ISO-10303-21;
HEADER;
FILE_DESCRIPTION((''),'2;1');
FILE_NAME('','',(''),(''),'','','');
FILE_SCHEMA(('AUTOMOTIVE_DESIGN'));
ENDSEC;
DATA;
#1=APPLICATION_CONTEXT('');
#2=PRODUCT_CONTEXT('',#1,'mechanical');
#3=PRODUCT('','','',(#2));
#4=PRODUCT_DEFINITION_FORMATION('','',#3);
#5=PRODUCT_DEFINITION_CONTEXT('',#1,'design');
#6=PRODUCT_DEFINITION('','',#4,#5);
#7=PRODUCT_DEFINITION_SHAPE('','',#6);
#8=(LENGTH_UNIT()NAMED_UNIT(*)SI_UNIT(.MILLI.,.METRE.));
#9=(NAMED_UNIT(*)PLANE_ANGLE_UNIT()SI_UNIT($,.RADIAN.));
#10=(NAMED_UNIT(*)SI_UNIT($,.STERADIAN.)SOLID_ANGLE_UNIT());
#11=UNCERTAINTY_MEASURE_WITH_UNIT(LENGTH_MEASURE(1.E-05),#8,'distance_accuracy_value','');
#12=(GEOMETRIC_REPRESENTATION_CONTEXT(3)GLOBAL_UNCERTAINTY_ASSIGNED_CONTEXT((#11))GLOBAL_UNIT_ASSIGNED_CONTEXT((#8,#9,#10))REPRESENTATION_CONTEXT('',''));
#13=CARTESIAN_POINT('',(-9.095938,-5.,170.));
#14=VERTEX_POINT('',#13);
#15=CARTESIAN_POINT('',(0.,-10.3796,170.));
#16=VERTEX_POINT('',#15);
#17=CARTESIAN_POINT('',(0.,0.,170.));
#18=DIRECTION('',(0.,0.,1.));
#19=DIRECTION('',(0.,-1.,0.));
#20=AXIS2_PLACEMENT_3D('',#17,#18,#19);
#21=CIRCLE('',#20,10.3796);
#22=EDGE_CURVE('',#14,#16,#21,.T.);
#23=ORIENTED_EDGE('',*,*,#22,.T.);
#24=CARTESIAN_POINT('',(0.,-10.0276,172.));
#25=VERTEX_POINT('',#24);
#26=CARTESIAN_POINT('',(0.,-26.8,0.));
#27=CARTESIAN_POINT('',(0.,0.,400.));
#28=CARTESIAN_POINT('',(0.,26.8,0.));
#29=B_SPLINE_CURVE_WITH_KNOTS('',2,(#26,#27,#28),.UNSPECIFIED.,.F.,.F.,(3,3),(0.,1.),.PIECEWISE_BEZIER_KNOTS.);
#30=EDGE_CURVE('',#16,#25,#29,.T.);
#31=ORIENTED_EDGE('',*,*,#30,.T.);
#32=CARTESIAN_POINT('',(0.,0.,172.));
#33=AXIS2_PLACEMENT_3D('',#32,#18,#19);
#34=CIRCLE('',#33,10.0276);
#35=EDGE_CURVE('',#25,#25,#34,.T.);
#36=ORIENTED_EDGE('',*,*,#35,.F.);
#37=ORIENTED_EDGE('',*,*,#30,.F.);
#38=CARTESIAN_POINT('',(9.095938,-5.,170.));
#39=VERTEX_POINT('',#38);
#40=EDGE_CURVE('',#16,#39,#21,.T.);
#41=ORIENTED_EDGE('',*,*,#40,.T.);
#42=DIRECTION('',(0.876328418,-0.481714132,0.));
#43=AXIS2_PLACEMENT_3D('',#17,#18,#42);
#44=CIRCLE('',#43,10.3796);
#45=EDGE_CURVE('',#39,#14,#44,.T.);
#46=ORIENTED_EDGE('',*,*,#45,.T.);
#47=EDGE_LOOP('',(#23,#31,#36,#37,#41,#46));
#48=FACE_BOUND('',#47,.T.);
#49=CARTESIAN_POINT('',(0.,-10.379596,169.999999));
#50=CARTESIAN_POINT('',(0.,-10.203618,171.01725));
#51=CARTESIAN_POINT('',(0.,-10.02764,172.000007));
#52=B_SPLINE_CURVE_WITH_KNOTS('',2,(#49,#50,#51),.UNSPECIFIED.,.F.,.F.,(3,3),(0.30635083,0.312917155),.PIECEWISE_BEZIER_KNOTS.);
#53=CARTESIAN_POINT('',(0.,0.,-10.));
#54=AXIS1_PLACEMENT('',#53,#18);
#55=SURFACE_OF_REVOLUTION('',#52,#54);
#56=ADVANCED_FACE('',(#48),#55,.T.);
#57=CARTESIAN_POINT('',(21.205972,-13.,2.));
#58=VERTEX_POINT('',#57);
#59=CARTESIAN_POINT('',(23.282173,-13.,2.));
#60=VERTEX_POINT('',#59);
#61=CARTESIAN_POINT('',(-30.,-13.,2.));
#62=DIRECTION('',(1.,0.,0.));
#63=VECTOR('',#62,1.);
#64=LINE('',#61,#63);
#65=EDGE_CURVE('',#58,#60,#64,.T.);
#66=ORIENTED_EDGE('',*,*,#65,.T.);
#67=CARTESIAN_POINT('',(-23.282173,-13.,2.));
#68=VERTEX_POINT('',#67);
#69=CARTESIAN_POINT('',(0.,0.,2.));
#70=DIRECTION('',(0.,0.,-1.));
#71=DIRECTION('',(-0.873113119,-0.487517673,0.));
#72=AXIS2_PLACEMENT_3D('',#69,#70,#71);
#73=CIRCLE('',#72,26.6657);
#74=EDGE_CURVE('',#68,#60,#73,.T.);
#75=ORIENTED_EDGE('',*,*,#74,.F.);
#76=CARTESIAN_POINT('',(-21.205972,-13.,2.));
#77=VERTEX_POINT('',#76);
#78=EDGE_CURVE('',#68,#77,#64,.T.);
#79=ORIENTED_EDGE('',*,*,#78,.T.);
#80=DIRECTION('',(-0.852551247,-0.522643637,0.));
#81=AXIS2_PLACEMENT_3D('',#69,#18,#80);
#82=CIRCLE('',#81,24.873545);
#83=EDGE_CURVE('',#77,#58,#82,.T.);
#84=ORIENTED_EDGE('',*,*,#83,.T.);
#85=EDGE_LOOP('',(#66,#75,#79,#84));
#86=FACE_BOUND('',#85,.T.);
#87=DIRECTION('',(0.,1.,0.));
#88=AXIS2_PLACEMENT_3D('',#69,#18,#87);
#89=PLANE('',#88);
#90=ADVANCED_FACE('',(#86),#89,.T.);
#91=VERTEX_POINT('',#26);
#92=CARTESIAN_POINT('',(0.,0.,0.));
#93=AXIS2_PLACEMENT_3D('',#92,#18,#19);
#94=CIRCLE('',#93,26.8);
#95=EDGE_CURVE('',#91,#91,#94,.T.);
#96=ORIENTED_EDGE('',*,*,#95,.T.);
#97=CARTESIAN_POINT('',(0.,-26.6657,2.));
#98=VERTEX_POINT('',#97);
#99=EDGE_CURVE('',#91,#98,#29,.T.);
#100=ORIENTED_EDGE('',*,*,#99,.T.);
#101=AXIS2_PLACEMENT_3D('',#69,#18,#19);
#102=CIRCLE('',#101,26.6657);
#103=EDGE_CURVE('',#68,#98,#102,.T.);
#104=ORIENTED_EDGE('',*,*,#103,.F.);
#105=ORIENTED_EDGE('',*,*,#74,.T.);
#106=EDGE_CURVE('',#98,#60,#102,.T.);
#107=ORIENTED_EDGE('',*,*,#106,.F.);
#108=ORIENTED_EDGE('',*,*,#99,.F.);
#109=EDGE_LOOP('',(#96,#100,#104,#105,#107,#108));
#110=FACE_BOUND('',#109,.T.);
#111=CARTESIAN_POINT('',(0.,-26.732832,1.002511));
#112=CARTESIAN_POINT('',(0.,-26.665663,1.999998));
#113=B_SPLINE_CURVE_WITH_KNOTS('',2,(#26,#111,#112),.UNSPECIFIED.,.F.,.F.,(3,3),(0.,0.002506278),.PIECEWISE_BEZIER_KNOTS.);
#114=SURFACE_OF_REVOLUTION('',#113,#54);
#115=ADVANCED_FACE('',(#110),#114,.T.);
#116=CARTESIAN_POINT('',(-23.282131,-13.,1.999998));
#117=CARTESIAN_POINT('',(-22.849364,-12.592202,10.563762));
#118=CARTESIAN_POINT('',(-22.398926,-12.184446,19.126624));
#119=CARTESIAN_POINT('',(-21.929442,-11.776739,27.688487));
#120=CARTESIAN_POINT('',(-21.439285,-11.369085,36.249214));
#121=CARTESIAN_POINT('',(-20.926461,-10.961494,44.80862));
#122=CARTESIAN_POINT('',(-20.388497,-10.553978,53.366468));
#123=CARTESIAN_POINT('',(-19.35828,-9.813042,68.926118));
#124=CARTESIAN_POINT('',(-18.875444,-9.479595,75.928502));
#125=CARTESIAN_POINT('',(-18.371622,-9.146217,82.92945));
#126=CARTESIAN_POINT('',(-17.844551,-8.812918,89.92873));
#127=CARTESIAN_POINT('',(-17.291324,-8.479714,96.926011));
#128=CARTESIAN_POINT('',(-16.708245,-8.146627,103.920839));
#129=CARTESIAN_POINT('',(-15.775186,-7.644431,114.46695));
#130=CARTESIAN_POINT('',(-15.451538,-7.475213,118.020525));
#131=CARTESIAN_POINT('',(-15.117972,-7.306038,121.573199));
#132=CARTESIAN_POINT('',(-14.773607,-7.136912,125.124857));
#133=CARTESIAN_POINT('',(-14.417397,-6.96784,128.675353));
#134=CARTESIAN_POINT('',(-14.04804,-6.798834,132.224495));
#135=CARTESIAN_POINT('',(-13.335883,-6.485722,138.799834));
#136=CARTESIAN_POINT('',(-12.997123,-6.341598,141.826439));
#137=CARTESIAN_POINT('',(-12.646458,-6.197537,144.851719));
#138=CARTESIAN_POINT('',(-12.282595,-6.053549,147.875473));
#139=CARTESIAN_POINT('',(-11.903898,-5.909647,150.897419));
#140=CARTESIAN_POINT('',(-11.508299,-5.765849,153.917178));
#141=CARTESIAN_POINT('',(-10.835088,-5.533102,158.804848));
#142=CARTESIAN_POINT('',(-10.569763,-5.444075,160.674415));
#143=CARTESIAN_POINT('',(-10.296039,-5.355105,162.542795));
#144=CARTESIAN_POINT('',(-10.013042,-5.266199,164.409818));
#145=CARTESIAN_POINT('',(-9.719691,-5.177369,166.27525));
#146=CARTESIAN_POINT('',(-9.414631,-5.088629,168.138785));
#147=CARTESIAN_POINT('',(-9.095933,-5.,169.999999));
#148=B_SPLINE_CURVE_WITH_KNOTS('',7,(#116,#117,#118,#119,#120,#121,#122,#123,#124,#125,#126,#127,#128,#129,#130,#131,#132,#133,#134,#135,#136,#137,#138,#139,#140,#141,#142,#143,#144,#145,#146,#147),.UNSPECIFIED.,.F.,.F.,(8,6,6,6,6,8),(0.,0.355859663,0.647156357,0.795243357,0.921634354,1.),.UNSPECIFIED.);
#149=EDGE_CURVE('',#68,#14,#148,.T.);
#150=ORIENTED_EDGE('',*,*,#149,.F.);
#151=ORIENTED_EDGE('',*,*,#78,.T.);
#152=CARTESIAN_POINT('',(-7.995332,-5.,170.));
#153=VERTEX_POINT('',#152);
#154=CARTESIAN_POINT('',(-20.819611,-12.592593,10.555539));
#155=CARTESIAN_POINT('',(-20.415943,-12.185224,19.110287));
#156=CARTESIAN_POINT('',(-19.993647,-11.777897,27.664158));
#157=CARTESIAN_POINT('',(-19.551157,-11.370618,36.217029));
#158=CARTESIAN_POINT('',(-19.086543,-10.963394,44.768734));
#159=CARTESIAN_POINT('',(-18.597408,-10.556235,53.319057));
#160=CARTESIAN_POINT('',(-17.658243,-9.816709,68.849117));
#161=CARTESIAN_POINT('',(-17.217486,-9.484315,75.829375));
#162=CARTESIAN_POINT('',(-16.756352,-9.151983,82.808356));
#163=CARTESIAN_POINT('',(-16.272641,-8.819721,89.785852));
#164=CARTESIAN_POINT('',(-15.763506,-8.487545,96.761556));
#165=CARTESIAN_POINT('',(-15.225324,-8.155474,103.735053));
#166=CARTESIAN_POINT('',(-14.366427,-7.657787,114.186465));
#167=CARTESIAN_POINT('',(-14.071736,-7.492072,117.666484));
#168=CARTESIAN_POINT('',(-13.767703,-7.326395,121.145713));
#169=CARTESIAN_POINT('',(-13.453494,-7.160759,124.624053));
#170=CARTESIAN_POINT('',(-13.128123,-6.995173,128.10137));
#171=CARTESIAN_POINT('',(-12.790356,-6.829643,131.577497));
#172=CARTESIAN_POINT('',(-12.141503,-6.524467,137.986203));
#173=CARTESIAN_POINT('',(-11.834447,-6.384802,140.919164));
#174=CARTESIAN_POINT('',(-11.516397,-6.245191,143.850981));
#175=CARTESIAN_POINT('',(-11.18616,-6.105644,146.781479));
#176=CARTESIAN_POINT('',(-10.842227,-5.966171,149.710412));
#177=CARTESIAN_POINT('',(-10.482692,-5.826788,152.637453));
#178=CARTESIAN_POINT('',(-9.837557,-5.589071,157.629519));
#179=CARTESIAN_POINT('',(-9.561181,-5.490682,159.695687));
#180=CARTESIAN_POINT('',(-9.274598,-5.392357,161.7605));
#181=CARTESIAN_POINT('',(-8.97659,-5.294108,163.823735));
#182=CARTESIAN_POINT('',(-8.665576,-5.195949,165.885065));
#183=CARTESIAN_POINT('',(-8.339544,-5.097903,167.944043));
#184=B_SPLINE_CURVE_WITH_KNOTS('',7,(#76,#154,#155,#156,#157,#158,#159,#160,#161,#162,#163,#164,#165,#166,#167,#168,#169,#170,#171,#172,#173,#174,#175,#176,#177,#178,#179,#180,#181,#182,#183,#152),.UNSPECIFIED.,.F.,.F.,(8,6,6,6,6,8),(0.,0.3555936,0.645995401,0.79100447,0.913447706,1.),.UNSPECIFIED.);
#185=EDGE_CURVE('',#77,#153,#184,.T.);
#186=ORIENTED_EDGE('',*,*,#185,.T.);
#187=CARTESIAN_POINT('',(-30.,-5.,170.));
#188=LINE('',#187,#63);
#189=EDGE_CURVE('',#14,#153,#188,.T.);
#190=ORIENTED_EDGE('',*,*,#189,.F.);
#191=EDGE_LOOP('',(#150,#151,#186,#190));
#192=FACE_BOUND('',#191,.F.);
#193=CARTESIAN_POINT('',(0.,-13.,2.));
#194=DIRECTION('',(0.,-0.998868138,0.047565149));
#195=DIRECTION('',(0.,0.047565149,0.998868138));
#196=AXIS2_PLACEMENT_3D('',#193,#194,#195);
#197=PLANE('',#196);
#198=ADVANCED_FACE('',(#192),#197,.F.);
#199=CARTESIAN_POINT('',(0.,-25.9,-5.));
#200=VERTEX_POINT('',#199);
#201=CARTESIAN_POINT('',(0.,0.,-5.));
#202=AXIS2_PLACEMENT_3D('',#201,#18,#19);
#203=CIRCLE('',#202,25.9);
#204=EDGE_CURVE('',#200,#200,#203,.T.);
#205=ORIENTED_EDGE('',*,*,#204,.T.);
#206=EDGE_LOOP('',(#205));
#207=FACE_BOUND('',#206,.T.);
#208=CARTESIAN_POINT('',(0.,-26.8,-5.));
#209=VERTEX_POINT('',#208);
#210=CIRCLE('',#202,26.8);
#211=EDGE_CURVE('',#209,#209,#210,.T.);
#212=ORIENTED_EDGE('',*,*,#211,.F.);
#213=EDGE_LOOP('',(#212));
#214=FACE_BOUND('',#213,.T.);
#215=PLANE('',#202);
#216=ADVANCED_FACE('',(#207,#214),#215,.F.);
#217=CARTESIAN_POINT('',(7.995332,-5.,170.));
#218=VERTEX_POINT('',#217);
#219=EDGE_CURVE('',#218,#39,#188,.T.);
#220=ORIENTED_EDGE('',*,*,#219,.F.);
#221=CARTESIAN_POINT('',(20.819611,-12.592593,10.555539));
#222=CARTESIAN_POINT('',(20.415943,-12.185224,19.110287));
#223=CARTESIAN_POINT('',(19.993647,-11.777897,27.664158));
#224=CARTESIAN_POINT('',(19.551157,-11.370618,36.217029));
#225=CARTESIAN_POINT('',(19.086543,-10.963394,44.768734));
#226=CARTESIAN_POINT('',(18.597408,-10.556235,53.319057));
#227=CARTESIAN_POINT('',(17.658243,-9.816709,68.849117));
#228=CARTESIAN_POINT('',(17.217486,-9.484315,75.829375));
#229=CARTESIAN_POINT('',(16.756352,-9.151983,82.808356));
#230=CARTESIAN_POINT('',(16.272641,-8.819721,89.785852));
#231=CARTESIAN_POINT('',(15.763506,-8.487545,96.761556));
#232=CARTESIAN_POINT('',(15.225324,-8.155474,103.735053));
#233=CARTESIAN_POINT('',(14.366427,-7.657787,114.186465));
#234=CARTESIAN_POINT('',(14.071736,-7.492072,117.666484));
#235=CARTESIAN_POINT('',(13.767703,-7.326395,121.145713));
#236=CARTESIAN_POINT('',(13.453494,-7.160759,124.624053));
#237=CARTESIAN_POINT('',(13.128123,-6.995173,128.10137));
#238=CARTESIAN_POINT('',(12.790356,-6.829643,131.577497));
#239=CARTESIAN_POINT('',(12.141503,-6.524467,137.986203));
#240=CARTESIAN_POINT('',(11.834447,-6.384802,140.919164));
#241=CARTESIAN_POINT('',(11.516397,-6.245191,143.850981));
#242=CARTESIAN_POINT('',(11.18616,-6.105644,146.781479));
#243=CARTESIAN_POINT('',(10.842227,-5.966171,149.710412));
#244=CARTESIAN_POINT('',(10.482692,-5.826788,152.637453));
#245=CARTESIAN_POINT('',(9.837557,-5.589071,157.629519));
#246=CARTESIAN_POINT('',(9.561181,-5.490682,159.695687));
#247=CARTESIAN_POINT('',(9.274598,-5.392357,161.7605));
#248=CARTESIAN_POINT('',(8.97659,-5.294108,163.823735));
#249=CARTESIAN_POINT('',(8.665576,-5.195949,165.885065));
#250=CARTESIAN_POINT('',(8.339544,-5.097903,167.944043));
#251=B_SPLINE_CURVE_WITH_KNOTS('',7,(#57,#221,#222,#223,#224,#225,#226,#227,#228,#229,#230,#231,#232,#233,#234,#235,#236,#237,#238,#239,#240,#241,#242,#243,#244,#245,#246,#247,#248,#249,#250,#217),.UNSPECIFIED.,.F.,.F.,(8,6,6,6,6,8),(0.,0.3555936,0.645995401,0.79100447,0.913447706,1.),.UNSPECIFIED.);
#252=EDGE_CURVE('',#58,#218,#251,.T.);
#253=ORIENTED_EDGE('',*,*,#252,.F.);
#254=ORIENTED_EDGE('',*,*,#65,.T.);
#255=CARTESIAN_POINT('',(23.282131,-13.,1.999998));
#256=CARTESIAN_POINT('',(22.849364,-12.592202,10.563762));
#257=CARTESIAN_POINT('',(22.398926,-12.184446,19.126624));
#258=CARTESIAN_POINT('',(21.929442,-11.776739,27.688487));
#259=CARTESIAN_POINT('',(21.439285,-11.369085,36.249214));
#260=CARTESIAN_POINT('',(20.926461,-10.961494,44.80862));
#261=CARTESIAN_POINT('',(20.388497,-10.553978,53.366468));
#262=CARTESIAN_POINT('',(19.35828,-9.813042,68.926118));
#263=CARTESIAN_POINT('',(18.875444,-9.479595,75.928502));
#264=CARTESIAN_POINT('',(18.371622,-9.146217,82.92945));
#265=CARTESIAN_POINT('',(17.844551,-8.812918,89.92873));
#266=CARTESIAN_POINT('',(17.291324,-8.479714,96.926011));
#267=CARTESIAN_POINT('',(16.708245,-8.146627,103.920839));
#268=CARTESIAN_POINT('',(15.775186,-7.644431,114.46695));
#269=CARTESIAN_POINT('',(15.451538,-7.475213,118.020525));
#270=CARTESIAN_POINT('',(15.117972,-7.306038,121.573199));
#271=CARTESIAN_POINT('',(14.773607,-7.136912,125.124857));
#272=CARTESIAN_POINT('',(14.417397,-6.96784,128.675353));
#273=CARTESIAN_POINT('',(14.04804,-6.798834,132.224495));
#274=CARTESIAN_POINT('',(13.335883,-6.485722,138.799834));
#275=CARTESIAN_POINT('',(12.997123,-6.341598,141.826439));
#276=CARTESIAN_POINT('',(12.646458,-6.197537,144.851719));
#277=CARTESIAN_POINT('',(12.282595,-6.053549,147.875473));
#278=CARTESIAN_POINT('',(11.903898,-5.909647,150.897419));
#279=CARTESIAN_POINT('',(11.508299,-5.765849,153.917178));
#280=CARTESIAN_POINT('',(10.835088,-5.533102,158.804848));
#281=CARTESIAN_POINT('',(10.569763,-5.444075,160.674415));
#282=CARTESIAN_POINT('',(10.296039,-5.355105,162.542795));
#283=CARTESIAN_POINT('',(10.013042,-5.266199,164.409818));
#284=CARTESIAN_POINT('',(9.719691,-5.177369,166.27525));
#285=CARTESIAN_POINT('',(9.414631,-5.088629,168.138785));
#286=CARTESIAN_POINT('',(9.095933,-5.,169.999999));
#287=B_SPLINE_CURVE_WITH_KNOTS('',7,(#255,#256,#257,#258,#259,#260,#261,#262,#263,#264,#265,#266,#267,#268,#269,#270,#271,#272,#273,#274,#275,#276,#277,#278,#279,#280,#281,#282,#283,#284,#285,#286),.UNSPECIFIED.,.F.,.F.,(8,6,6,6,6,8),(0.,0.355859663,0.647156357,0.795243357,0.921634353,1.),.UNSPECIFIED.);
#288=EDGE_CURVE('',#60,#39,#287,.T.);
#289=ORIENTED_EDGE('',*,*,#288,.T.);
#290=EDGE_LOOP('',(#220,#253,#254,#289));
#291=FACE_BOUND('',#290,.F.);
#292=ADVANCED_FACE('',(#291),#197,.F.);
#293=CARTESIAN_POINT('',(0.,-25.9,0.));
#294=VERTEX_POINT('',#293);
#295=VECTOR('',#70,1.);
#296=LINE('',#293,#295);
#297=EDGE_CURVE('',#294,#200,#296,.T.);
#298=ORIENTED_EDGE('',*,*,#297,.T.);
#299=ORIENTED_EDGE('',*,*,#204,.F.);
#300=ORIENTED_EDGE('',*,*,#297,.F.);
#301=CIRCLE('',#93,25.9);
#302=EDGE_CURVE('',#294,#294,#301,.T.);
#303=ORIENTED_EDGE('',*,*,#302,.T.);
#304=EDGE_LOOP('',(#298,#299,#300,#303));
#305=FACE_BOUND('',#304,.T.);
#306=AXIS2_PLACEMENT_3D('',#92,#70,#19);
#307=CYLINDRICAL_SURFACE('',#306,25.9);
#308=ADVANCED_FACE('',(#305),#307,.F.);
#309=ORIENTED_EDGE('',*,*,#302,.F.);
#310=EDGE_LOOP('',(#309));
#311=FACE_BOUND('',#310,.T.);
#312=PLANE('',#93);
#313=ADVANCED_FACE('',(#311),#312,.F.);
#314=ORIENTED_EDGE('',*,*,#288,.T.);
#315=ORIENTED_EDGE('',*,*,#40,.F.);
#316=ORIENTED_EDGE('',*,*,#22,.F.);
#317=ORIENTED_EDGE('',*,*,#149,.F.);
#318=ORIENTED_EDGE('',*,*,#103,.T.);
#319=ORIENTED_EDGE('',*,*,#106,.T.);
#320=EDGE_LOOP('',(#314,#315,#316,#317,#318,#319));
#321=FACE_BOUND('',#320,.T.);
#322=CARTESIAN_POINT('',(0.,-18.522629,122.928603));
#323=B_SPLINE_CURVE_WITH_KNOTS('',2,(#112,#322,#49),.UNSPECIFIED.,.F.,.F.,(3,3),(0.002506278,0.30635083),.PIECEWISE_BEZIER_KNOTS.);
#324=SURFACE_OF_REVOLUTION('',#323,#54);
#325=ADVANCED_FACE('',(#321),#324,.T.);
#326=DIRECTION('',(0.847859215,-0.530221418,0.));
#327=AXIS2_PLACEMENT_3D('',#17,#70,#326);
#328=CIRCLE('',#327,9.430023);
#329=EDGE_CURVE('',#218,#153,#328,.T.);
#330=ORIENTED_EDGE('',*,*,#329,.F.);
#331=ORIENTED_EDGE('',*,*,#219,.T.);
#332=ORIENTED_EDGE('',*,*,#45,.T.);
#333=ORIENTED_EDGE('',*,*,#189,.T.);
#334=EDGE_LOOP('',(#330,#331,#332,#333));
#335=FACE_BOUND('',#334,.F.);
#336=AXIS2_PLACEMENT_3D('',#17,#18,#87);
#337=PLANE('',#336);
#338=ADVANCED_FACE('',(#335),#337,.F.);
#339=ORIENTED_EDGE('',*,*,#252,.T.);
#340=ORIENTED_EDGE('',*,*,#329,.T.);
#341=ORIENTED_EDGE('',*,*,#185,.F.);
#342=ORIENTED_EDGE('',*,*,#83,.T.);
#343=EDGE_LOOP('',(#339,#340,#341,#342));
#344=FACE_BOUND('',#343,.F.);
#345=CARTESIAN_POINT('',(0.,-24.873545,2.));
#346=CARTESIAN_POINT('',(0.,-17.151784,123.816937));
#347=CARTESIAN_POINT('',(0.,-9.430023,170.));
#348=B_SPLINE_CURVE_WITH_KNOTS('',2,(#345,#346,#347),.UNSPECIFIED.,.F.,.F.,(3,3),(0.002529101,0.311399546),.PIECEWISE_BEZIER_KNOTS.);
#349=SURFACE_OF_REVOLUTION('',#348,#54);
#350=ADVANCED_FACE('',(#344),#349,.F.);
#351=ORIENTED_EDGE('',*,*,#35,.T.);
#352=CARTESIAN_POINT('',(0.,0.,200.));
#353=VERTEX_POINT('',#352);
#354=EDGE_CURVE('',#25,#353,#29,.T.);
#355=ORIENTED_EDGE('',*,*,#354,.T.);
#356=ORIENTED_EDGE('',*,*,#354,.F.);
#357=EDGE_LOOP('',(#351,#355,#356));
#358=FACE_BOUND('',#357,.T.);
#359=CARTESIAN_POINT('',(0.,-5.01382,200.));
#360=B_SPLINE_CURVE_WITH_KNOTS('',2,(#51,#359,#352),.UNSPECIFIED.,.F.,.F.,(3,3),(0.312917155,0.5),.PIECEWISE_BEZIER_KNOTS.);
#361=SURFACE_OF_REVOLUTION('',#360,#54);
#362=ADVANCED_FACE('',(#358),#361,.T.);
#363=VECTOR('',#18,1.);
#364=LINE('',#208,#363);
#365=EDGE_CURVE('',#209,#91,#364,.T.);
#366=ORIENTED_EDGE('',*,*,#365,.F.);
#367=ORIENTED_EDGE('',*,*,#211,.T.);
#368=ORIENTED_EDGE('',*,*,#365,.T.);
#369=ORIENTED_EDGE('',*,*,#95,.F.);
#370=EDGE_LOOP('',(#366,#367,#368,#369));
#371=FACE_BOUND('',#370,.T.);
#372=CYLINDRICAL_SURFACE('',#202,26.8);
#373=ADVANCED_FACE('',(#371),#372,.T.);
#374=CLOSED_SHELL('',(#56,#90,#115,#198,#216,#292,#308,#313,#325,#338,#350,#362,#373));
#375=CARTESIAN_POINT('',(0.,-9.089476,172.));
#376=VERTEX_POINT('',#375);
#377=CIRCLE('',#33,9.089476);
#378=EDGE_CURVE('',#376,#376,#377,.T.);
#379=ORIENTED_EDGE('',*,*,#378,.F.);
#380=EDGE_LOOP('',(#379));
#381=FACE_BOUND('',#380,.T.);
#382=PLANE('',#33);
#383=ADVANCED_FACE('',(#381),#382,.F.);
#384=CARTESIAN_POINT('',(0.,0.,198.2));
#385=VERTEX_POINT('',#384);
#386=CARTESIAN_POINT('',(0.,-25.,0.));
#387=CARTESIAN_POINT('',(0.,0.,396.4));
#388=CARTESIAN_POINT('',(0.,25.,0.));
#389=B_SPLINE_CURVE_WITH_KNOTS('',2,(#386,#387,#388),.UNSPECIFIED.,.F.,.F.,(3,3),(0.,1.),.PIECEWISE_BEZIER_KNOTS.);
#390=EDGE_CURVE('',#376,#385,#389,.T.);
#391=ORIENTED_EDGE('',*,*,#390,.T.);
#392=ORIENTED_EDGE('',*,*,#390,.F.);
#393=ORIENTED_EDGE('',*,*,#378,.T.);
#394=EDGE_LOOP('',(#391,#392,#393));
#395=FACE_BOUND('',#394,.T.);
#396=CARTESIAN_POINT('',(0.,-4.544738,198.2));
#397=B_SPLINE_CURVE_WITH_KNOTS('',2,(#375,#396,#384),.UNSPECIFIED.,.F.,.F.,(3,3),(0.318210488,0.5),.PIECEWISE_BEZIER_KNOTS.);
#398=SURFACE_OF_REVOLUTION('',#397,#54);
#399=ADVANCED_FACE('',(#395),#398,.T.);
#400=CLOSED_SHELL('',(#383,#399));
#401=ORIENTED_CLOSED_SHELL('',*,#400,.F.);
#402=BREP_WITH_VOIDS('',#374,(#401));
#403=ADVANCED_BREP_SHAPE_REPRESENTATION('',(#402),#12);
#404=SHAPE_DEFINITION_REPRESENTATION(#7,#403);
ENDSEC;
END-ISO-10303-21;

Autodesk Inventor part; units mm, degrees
ref_plane "YZ Plane" through (0, 0, 0) normal (1, 0, 0) x (0, 1, 0)
ref_plane "XZ Plane" through (0, 0, 0) normal (0, 1, 0) x (-1, 0, 0)
ref_plane "XY Plane" through (0, 0, 0) normal (0, 0, 1) x (1, 0, 0)
sketch "Sketch2" plane through (0, 0, 0) normal (1, 0, 0) x (0, 1, 0)
  line L0 (0, 0) -> (25.9, 0)
  line L1 (25.9, 0) -> (25.9, -5)
  line L2 (25.9, -5) -> (26.8, -5)
  line L3 (26.8, -5) -> (26.8, 0)
  line L4 (0, 2) -> (25, 2)
  line L5 (0, 0) -> (-25.9, 0)
  line L6 (-25.9, 0) -> (-25.9, -5)
  line L7 (-25.9, -5) -> (-26.8, -5)
  line L8 (-26.8, -5) -> (-26.8, 0)
  line L9 (0, 2) -> (-25, 2)
  line L10 (0, 0) -> (0, 170)
  line L11 (0, 0) -> (0, 200)
  line L12 (25, 2) -> (25, 0)
  line L13 (-25, 2) -> (-25, 0)
  line L14 (0, 0) -> (0, 198.2)
  spline S0 degree 2 poles (26.8, 0) (0, 400) (-26.8, 0) knots 0 0 0 1 1 1
  spline S1 degree 2 poles (25, 0) (0, 396.4) (-25, 0) knots 0 0 0 1 1 1
  line L15 (0, 170) -> (10.3796, 170)
  line L16 (0, 2) -> (-5, 2)
  line L17 (0, 172) -> (0, 2)
  line L18 (0, 172) -> (10.0276, 172)
  line L19 (0, 0) -> (-5, 0)
  line L20 (-5, 0) -> (-5, 170)
  line L21 (-5, 170) -> (0, 170)
  line L22 (0, 170) -> (0, 0)
  line L23 (-5, 2) -> (-13, 2)
  line L24 (-13, 2) -> (-5, 170)
  line L25 (25, 2) -> (26.6657, 2)
  line L26 (-25, 2) -> (-26.6657, 2)
  line L27 (0, -46.4) -> (0, 243.4) projected
  point P0 (24.8735, 2)
  point P1 (9.0895, 172)
  point P2 (9.43, 170)
  dimension "d51" = 25.9
  dimension "d52" = 5
  dimension "d53" = 0.9
  dimension "d54" = 2
  dimension "d55" = 25.9
  dimension "d56" = 5
  dimension "d57" = 0.9
  dimension "d58" = 170
  dimension "d59" = 200
  dimension "d60" = 25
  dimension "d61" = 25
  dimension "d62" = 198.2
  dimension "d64" = 25
  dimension "d67" = 2
  dimension "d68" = 170
  dimension "d69" = 5
  dimension "d70" = 8
  dimension "d71" = 170
  dimension "d72" = 87.274
revolve "Revolution5" add sketch "Sketch2" angle 360 mid plane about axis through (0, 0, -10) along (0, 0, 1) contours L10 L4 S1 L0 | L12 L25 S0 L3 L2 L1 L0 | S1 L4 L12 | L4 S1 L15 S0 L25 | L11 L18 S1 L15 | S1 L18 S0 L15 | S1 L11 S0 L18
extrude "Extrusion4" cut sketch "Sketch2" along normal mid plane 60 contours L10 L15 S1 L4 | L9 L20 L21 L10 | L4 S1 L15 S0 L25 | L9 L24 L20
properties part number "nose-basepart1"
